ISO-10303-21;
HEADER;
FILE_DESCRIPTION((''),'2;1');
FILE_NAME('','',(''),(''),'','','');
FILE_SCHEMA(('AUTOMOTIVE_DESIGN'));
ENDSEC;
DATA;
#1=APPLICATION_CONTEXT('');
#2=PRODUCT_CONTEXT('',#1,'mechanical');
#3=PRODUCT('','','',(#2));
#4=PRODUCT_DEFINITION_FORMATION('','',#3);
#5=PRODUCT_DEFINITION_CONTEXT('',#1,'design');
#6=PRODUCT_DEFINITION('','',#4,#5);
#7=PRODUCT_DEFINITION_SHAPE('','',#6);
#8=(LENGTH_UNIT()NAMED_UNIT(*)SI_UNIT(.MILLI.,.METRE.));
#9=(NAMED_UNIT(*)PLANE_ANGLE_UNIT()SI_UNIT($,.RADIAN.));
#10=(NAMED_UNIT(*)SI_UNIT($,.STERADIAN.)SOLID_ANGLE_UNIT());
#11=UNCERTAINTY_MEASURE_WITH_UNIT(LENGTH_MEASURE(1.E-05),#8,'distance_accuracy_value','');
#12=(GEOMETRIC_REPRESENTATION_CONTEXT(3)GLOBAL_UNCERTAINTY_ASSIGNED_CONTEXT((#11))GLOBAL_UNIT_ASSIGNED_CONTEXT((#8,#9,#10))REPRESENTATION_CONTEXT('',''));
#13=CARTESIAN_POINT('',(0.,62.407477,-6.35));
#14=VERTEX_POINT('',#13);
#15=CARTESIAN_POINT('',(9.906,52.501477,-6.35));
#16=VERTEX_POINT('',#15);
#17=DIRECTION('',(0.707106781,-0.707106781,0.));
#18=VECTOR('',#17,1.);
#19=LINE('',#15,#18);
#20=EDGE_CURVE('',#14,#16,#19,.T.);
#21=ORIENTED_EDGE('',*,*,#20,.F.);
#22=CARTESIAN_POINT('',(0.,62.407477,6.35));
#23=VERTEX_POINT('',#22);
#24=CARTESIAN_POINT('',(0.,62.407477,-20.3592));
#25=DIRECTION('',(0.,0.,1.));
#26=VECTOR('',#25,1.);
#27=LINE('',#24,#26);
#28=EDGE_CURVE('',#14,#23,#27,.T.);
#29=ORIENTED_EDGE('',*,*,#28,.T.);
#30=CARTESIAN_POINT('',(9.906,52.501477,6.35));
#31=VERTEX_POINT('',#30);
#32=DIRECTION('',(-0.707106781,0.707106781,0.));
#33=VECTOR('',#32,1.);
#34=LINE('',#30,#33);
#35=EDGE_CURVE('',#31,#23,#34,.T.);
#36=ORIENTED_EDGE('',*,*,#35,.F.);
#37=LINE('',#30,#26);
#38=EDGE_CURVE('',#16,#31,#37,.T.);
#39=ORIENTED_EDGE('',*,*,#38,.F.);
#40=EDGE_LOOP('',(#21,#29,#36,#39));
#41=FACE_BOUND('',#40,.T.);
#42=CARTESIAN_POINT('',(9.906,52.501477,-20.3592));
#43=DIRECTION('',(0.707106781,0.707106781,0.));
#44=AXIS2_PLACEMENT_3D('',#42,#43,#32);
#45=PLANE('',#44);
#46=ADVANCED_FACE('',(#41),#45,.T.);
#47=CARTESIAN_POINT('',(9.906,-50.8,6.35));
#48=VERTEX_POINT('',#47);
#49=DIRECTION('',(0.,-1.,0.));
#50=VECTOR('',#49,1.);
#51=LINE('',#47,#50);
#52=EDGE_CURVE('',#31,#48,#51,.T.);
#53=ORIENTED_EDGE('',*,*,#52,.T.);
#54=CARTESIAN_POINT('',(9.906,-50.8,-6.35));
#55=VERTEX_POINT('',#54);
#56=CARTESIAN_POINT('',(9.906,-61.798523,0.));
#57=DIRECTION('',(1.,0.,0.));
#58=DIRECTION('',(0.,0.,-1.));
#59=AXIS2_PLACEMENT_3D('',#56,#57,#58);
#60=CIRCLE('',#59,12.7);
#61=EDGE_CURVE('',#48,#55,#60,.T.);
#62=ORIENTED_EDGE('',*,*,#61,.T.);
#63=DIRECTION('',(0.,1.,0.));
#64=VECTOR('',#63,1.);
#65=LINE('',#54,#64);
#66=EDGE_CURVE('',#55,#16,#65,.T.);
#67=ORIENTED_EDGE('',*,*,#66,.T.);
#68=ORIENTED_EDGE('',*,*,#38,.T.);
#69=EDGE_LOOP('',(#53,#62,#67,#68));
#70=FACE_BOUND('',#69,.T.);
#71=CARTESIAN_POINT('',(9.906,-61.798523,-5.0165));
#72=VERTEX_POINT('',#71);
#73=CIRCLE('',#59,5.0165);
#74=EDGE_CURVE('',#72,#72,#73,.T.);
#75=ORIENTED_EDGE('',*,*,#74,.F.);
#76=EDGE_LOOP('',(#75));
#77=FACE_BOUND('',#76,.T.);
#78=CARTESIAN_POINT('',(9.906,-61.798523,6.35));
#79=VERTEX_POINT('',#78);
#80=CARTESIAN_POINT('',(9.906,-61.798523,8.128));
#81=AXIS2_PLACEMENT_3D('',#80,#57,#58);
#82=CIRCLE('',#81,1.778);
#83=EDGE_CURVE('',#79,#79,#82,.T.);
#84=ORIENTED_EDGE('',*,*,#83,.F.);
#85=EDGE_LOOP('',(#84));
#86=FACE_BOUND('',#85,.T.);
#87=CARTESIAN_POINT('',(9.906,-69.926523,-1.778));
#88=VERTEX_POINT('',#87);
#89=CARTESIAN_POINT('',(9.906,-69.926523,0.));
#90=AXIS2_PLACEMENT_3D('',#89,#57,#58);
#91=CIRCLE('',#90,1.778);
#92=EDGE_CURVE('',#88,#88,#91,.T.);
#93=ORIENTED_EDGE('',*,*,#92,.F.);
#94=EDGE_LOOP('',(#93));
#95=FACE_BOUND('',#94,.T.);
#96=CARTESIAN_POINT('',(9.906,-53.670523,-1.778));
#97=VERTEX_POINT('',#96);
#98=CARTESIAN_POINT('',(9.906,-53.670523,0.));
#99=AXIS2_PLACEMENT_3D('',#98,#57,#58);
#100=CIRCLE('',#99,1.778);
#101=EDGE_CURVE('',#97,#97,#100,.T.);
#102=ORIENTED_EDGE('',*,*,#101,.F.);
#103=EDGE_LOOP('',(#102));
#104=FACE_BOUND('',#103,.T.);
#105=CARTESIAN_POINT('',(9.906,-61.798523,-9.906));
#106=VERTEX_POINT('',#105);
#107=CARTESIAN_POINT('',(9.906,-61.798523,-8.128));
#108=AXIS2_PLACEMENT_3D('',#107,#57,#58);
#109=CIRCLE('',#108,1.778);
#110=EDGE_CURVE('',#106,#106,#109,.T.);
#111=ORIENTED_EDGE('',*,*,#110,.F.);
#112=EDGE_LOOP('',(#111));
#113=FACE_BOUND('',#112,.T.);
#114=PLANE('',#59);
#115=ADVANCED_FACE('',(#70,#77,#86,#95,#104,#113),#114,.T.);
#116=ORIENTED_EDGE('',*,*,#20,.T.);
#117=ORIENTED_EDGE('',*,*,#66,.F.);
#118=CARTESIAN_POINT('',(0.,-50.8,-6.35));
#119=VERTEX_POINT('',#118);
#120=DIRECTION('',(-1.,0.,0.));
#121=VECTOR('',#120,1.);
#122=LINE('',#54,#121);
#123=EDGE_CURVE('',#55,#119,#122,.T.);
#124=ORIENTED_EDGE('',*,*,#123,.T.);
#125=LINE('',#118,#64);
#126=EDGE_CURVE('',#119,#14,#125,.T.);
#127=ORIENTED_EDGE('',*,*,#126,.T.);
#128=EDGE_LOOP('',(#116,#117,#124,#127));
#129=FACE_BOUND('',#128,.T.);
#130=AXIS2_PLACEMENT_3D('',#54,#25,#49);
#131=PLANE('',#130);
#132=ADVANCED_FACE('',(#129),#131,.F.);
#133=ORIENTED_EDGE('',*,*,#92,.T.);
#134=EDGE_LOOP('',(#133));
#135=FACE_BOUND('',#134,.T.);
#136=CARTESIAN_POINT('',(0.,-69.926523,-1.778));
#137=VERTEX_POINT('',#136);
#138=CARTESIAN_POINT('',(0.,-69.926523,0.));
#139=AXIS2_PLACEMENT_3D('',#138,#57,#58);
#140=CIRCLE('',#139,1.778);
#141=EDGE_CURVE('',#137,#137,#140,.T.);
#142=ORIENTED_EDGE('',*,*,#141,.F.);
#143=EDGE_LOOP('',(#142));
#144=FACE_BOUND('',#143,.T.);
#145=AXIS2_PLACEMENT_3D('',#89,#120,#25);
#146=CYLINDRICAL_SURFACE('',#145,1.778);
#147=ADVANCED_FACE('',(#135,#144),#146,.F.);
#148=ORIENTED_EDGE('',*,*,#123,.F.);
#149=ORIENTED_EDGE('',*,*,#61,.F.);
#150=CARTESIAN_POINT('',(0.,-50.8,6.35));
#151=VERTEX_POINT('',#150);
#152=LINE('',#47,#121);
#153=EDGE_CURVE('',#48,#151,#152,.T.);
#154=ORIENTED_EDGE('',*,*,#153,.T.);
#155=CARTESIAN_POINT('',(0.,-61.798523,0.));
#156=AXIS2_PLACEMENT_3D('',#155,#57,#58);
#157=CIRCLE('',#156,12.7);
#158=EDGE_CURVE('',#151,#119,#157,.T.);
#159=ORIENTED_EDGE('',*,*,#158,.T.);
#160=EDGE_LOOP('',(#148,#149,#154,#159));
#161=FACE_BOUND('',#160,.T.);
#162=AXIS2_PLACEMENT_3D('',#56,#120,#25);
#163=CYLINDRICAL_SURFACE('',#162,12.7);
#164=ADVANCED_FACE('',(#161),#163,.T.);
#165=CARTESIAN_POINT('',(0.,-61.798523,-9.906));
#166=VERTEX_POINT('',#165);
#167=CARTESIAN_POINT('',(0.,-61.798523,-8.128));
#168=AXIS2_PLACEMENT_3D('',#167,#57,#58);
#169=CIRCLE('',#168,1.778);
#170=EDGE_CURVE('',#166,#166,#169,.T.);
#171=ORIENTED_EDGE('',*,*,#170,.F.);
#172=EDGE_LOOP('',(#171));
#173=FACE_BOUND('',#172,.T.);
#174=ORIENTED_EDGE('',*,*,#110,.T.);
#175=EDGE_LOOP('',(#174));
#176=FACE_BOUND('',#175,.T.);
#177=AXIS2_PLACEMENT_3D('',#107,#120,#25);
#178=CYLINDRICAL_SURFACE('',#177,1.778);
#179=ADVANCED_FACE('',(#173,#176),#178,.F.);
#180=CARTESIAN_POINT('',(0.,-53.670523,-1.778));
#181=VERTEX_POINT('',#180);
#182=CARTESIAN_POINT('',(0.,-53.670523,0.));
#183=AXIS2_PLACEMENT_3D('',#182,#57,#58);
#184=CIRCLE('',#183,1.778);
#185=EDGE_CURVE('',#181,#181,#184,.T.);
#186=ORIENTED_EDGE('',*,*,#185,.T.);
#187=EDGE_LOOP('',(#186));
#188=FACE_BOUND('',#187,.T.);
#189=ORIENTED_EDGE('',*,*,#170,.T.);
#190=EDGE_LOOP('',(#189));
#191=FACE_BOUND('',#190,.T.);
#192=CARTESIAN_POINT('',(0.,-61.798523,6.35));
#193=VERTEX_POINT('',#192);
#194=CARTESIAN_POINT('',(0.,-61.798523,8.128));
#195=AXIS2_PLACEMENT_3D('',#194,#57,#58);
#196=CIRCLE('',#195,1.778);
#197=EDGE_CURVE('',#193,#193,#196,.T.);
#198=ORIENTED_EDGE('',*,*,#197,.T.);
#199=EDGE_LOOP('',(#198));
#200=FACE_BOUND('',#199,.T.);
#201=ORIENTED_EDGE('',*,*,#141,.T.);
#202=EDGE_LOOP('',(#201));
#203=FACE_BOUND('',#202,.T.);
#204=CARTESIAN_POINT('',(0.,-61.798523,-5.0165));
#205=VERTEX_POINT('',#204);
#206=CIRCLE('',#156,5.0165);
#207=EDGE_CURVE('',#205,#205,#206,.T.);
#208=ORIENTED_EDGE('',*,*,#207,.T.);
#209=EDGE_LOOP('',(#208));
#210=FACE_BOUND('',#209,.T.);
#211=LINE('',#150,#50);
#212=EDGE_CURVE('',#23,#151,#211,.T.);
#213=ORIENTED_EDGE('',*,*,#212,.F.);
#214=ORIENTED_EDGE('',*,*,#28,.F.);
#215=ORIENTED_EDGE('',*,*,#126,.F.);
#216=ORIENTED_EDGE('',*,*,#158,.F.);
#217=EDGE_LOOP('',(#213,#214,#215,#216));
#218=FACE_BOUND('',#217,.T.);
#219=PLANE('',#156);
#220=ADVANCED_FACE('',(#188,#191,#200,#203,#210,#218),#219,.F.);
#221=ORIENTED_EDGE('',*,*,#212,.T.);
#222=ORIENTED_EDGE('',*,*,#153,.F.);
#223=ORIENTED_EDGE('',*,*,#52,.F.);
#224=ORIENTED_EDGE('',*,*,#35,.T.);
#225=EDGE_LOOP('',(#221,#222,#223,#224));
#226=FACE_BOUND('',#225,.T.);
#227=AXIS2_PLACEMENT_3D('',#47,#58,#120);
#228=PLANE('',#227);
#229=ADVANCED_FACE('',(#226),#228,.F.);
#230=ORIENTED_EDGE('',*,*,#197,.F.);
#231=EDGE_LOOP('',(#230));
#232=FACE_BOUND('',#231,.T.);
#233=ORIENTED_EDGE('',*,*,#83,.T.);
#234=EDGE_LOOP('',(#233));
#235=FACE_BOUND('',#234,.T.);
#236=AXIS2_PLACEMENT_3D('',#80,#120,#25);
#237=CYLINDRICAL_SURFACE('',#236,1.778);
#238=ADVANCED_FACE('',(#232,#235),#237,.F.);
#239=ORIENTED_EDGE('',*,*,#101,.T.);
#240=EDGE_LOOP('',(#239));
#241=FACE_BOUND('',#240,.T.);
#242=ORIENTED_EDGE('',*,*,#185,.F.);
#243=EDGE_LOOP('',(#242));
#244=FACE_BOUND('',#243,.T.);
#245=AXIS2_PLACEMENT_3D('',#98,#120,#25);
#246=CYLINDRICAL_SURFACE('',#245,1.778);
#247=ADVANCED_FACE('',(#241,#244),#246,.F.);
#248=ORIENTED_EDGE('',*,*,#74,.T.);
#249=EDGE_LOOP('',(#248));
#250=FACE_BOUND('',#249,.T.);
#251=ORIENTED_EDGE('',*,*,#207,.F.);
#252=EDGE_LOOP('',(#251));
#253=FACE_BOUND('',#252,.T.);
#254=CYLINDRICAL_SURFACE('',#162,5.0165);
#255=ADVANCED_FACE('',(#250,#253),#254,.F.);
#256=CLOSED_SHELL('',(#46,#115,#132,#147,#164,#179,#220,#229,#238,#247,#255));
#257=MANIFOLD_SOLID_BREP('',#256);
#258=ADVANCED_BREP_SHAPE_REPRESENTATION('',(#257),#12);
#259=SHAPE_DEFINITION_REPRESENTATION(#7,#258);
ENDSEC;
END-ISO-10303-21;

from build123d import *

# Parameters (mm, degrees)
SKETCH1_R           = 5.0165
SKETCH1_R_2         = 1.778
BOSS_EXTRUDE1_DEPTH = 9.906
BOSS_EXTRUDE2_DEPTH = 12.7


with BuildPart() as part:
    # Sketch1 → Boss-Extrude1 (new body)
    with BuildSketch(Plane(origin=(0, 0, 0), x_dir=(0, 0, -1), z_dir=(1, 0, 0))):
        with BuildLine():
            Line((-6.35, -50.8), (-6.35, 52.501477372))
            Line((-6.35, 52.501477372), (6.35, 52.501477372))
            Line((6.35, 52.501477372), (6.35, -50.8))
            ThreePointArc((6.35, -50.8), (0, -74.498522628), (-6.35, -50.8))
        make_face()
        with Locations((0, -61.798522628)):
            Circle(SKETCH1_R, mode=Mode.SUBTRACT)
        with Locations((-8.128, -61.798522628)):
            Circle(SKETCH1_R_2, mode=Mode.SUBTRACT)
        with Locations((8.128, -61.798522628)):
            Circle(SKETCH1_R_2, mode=Mode.SUBTRACT)
        with Locations((0, -53.670522628)):
            Circle(SKETCH1_R_2, mode=Mode.SUBTRACT)
        with Locations((0, -69.926522628)):
            Circle(SKETCH1_R_2, mode=Mode.SUBTRACT)
    extrude(amount=BOSS_EXTRUDE1_DEPTH)

    # Sketch2 → Boss-Extrude2 (add)
    with BuildSketch(Plane.XY.offset(6.35)):
        Polygon((9.906, 52.501477372), (0, 52.501477372), (0, 62.407477372), align=None)
    extrude(amount=-BOSS_EXTRUDE2_DEPTH)


solid = part.part
